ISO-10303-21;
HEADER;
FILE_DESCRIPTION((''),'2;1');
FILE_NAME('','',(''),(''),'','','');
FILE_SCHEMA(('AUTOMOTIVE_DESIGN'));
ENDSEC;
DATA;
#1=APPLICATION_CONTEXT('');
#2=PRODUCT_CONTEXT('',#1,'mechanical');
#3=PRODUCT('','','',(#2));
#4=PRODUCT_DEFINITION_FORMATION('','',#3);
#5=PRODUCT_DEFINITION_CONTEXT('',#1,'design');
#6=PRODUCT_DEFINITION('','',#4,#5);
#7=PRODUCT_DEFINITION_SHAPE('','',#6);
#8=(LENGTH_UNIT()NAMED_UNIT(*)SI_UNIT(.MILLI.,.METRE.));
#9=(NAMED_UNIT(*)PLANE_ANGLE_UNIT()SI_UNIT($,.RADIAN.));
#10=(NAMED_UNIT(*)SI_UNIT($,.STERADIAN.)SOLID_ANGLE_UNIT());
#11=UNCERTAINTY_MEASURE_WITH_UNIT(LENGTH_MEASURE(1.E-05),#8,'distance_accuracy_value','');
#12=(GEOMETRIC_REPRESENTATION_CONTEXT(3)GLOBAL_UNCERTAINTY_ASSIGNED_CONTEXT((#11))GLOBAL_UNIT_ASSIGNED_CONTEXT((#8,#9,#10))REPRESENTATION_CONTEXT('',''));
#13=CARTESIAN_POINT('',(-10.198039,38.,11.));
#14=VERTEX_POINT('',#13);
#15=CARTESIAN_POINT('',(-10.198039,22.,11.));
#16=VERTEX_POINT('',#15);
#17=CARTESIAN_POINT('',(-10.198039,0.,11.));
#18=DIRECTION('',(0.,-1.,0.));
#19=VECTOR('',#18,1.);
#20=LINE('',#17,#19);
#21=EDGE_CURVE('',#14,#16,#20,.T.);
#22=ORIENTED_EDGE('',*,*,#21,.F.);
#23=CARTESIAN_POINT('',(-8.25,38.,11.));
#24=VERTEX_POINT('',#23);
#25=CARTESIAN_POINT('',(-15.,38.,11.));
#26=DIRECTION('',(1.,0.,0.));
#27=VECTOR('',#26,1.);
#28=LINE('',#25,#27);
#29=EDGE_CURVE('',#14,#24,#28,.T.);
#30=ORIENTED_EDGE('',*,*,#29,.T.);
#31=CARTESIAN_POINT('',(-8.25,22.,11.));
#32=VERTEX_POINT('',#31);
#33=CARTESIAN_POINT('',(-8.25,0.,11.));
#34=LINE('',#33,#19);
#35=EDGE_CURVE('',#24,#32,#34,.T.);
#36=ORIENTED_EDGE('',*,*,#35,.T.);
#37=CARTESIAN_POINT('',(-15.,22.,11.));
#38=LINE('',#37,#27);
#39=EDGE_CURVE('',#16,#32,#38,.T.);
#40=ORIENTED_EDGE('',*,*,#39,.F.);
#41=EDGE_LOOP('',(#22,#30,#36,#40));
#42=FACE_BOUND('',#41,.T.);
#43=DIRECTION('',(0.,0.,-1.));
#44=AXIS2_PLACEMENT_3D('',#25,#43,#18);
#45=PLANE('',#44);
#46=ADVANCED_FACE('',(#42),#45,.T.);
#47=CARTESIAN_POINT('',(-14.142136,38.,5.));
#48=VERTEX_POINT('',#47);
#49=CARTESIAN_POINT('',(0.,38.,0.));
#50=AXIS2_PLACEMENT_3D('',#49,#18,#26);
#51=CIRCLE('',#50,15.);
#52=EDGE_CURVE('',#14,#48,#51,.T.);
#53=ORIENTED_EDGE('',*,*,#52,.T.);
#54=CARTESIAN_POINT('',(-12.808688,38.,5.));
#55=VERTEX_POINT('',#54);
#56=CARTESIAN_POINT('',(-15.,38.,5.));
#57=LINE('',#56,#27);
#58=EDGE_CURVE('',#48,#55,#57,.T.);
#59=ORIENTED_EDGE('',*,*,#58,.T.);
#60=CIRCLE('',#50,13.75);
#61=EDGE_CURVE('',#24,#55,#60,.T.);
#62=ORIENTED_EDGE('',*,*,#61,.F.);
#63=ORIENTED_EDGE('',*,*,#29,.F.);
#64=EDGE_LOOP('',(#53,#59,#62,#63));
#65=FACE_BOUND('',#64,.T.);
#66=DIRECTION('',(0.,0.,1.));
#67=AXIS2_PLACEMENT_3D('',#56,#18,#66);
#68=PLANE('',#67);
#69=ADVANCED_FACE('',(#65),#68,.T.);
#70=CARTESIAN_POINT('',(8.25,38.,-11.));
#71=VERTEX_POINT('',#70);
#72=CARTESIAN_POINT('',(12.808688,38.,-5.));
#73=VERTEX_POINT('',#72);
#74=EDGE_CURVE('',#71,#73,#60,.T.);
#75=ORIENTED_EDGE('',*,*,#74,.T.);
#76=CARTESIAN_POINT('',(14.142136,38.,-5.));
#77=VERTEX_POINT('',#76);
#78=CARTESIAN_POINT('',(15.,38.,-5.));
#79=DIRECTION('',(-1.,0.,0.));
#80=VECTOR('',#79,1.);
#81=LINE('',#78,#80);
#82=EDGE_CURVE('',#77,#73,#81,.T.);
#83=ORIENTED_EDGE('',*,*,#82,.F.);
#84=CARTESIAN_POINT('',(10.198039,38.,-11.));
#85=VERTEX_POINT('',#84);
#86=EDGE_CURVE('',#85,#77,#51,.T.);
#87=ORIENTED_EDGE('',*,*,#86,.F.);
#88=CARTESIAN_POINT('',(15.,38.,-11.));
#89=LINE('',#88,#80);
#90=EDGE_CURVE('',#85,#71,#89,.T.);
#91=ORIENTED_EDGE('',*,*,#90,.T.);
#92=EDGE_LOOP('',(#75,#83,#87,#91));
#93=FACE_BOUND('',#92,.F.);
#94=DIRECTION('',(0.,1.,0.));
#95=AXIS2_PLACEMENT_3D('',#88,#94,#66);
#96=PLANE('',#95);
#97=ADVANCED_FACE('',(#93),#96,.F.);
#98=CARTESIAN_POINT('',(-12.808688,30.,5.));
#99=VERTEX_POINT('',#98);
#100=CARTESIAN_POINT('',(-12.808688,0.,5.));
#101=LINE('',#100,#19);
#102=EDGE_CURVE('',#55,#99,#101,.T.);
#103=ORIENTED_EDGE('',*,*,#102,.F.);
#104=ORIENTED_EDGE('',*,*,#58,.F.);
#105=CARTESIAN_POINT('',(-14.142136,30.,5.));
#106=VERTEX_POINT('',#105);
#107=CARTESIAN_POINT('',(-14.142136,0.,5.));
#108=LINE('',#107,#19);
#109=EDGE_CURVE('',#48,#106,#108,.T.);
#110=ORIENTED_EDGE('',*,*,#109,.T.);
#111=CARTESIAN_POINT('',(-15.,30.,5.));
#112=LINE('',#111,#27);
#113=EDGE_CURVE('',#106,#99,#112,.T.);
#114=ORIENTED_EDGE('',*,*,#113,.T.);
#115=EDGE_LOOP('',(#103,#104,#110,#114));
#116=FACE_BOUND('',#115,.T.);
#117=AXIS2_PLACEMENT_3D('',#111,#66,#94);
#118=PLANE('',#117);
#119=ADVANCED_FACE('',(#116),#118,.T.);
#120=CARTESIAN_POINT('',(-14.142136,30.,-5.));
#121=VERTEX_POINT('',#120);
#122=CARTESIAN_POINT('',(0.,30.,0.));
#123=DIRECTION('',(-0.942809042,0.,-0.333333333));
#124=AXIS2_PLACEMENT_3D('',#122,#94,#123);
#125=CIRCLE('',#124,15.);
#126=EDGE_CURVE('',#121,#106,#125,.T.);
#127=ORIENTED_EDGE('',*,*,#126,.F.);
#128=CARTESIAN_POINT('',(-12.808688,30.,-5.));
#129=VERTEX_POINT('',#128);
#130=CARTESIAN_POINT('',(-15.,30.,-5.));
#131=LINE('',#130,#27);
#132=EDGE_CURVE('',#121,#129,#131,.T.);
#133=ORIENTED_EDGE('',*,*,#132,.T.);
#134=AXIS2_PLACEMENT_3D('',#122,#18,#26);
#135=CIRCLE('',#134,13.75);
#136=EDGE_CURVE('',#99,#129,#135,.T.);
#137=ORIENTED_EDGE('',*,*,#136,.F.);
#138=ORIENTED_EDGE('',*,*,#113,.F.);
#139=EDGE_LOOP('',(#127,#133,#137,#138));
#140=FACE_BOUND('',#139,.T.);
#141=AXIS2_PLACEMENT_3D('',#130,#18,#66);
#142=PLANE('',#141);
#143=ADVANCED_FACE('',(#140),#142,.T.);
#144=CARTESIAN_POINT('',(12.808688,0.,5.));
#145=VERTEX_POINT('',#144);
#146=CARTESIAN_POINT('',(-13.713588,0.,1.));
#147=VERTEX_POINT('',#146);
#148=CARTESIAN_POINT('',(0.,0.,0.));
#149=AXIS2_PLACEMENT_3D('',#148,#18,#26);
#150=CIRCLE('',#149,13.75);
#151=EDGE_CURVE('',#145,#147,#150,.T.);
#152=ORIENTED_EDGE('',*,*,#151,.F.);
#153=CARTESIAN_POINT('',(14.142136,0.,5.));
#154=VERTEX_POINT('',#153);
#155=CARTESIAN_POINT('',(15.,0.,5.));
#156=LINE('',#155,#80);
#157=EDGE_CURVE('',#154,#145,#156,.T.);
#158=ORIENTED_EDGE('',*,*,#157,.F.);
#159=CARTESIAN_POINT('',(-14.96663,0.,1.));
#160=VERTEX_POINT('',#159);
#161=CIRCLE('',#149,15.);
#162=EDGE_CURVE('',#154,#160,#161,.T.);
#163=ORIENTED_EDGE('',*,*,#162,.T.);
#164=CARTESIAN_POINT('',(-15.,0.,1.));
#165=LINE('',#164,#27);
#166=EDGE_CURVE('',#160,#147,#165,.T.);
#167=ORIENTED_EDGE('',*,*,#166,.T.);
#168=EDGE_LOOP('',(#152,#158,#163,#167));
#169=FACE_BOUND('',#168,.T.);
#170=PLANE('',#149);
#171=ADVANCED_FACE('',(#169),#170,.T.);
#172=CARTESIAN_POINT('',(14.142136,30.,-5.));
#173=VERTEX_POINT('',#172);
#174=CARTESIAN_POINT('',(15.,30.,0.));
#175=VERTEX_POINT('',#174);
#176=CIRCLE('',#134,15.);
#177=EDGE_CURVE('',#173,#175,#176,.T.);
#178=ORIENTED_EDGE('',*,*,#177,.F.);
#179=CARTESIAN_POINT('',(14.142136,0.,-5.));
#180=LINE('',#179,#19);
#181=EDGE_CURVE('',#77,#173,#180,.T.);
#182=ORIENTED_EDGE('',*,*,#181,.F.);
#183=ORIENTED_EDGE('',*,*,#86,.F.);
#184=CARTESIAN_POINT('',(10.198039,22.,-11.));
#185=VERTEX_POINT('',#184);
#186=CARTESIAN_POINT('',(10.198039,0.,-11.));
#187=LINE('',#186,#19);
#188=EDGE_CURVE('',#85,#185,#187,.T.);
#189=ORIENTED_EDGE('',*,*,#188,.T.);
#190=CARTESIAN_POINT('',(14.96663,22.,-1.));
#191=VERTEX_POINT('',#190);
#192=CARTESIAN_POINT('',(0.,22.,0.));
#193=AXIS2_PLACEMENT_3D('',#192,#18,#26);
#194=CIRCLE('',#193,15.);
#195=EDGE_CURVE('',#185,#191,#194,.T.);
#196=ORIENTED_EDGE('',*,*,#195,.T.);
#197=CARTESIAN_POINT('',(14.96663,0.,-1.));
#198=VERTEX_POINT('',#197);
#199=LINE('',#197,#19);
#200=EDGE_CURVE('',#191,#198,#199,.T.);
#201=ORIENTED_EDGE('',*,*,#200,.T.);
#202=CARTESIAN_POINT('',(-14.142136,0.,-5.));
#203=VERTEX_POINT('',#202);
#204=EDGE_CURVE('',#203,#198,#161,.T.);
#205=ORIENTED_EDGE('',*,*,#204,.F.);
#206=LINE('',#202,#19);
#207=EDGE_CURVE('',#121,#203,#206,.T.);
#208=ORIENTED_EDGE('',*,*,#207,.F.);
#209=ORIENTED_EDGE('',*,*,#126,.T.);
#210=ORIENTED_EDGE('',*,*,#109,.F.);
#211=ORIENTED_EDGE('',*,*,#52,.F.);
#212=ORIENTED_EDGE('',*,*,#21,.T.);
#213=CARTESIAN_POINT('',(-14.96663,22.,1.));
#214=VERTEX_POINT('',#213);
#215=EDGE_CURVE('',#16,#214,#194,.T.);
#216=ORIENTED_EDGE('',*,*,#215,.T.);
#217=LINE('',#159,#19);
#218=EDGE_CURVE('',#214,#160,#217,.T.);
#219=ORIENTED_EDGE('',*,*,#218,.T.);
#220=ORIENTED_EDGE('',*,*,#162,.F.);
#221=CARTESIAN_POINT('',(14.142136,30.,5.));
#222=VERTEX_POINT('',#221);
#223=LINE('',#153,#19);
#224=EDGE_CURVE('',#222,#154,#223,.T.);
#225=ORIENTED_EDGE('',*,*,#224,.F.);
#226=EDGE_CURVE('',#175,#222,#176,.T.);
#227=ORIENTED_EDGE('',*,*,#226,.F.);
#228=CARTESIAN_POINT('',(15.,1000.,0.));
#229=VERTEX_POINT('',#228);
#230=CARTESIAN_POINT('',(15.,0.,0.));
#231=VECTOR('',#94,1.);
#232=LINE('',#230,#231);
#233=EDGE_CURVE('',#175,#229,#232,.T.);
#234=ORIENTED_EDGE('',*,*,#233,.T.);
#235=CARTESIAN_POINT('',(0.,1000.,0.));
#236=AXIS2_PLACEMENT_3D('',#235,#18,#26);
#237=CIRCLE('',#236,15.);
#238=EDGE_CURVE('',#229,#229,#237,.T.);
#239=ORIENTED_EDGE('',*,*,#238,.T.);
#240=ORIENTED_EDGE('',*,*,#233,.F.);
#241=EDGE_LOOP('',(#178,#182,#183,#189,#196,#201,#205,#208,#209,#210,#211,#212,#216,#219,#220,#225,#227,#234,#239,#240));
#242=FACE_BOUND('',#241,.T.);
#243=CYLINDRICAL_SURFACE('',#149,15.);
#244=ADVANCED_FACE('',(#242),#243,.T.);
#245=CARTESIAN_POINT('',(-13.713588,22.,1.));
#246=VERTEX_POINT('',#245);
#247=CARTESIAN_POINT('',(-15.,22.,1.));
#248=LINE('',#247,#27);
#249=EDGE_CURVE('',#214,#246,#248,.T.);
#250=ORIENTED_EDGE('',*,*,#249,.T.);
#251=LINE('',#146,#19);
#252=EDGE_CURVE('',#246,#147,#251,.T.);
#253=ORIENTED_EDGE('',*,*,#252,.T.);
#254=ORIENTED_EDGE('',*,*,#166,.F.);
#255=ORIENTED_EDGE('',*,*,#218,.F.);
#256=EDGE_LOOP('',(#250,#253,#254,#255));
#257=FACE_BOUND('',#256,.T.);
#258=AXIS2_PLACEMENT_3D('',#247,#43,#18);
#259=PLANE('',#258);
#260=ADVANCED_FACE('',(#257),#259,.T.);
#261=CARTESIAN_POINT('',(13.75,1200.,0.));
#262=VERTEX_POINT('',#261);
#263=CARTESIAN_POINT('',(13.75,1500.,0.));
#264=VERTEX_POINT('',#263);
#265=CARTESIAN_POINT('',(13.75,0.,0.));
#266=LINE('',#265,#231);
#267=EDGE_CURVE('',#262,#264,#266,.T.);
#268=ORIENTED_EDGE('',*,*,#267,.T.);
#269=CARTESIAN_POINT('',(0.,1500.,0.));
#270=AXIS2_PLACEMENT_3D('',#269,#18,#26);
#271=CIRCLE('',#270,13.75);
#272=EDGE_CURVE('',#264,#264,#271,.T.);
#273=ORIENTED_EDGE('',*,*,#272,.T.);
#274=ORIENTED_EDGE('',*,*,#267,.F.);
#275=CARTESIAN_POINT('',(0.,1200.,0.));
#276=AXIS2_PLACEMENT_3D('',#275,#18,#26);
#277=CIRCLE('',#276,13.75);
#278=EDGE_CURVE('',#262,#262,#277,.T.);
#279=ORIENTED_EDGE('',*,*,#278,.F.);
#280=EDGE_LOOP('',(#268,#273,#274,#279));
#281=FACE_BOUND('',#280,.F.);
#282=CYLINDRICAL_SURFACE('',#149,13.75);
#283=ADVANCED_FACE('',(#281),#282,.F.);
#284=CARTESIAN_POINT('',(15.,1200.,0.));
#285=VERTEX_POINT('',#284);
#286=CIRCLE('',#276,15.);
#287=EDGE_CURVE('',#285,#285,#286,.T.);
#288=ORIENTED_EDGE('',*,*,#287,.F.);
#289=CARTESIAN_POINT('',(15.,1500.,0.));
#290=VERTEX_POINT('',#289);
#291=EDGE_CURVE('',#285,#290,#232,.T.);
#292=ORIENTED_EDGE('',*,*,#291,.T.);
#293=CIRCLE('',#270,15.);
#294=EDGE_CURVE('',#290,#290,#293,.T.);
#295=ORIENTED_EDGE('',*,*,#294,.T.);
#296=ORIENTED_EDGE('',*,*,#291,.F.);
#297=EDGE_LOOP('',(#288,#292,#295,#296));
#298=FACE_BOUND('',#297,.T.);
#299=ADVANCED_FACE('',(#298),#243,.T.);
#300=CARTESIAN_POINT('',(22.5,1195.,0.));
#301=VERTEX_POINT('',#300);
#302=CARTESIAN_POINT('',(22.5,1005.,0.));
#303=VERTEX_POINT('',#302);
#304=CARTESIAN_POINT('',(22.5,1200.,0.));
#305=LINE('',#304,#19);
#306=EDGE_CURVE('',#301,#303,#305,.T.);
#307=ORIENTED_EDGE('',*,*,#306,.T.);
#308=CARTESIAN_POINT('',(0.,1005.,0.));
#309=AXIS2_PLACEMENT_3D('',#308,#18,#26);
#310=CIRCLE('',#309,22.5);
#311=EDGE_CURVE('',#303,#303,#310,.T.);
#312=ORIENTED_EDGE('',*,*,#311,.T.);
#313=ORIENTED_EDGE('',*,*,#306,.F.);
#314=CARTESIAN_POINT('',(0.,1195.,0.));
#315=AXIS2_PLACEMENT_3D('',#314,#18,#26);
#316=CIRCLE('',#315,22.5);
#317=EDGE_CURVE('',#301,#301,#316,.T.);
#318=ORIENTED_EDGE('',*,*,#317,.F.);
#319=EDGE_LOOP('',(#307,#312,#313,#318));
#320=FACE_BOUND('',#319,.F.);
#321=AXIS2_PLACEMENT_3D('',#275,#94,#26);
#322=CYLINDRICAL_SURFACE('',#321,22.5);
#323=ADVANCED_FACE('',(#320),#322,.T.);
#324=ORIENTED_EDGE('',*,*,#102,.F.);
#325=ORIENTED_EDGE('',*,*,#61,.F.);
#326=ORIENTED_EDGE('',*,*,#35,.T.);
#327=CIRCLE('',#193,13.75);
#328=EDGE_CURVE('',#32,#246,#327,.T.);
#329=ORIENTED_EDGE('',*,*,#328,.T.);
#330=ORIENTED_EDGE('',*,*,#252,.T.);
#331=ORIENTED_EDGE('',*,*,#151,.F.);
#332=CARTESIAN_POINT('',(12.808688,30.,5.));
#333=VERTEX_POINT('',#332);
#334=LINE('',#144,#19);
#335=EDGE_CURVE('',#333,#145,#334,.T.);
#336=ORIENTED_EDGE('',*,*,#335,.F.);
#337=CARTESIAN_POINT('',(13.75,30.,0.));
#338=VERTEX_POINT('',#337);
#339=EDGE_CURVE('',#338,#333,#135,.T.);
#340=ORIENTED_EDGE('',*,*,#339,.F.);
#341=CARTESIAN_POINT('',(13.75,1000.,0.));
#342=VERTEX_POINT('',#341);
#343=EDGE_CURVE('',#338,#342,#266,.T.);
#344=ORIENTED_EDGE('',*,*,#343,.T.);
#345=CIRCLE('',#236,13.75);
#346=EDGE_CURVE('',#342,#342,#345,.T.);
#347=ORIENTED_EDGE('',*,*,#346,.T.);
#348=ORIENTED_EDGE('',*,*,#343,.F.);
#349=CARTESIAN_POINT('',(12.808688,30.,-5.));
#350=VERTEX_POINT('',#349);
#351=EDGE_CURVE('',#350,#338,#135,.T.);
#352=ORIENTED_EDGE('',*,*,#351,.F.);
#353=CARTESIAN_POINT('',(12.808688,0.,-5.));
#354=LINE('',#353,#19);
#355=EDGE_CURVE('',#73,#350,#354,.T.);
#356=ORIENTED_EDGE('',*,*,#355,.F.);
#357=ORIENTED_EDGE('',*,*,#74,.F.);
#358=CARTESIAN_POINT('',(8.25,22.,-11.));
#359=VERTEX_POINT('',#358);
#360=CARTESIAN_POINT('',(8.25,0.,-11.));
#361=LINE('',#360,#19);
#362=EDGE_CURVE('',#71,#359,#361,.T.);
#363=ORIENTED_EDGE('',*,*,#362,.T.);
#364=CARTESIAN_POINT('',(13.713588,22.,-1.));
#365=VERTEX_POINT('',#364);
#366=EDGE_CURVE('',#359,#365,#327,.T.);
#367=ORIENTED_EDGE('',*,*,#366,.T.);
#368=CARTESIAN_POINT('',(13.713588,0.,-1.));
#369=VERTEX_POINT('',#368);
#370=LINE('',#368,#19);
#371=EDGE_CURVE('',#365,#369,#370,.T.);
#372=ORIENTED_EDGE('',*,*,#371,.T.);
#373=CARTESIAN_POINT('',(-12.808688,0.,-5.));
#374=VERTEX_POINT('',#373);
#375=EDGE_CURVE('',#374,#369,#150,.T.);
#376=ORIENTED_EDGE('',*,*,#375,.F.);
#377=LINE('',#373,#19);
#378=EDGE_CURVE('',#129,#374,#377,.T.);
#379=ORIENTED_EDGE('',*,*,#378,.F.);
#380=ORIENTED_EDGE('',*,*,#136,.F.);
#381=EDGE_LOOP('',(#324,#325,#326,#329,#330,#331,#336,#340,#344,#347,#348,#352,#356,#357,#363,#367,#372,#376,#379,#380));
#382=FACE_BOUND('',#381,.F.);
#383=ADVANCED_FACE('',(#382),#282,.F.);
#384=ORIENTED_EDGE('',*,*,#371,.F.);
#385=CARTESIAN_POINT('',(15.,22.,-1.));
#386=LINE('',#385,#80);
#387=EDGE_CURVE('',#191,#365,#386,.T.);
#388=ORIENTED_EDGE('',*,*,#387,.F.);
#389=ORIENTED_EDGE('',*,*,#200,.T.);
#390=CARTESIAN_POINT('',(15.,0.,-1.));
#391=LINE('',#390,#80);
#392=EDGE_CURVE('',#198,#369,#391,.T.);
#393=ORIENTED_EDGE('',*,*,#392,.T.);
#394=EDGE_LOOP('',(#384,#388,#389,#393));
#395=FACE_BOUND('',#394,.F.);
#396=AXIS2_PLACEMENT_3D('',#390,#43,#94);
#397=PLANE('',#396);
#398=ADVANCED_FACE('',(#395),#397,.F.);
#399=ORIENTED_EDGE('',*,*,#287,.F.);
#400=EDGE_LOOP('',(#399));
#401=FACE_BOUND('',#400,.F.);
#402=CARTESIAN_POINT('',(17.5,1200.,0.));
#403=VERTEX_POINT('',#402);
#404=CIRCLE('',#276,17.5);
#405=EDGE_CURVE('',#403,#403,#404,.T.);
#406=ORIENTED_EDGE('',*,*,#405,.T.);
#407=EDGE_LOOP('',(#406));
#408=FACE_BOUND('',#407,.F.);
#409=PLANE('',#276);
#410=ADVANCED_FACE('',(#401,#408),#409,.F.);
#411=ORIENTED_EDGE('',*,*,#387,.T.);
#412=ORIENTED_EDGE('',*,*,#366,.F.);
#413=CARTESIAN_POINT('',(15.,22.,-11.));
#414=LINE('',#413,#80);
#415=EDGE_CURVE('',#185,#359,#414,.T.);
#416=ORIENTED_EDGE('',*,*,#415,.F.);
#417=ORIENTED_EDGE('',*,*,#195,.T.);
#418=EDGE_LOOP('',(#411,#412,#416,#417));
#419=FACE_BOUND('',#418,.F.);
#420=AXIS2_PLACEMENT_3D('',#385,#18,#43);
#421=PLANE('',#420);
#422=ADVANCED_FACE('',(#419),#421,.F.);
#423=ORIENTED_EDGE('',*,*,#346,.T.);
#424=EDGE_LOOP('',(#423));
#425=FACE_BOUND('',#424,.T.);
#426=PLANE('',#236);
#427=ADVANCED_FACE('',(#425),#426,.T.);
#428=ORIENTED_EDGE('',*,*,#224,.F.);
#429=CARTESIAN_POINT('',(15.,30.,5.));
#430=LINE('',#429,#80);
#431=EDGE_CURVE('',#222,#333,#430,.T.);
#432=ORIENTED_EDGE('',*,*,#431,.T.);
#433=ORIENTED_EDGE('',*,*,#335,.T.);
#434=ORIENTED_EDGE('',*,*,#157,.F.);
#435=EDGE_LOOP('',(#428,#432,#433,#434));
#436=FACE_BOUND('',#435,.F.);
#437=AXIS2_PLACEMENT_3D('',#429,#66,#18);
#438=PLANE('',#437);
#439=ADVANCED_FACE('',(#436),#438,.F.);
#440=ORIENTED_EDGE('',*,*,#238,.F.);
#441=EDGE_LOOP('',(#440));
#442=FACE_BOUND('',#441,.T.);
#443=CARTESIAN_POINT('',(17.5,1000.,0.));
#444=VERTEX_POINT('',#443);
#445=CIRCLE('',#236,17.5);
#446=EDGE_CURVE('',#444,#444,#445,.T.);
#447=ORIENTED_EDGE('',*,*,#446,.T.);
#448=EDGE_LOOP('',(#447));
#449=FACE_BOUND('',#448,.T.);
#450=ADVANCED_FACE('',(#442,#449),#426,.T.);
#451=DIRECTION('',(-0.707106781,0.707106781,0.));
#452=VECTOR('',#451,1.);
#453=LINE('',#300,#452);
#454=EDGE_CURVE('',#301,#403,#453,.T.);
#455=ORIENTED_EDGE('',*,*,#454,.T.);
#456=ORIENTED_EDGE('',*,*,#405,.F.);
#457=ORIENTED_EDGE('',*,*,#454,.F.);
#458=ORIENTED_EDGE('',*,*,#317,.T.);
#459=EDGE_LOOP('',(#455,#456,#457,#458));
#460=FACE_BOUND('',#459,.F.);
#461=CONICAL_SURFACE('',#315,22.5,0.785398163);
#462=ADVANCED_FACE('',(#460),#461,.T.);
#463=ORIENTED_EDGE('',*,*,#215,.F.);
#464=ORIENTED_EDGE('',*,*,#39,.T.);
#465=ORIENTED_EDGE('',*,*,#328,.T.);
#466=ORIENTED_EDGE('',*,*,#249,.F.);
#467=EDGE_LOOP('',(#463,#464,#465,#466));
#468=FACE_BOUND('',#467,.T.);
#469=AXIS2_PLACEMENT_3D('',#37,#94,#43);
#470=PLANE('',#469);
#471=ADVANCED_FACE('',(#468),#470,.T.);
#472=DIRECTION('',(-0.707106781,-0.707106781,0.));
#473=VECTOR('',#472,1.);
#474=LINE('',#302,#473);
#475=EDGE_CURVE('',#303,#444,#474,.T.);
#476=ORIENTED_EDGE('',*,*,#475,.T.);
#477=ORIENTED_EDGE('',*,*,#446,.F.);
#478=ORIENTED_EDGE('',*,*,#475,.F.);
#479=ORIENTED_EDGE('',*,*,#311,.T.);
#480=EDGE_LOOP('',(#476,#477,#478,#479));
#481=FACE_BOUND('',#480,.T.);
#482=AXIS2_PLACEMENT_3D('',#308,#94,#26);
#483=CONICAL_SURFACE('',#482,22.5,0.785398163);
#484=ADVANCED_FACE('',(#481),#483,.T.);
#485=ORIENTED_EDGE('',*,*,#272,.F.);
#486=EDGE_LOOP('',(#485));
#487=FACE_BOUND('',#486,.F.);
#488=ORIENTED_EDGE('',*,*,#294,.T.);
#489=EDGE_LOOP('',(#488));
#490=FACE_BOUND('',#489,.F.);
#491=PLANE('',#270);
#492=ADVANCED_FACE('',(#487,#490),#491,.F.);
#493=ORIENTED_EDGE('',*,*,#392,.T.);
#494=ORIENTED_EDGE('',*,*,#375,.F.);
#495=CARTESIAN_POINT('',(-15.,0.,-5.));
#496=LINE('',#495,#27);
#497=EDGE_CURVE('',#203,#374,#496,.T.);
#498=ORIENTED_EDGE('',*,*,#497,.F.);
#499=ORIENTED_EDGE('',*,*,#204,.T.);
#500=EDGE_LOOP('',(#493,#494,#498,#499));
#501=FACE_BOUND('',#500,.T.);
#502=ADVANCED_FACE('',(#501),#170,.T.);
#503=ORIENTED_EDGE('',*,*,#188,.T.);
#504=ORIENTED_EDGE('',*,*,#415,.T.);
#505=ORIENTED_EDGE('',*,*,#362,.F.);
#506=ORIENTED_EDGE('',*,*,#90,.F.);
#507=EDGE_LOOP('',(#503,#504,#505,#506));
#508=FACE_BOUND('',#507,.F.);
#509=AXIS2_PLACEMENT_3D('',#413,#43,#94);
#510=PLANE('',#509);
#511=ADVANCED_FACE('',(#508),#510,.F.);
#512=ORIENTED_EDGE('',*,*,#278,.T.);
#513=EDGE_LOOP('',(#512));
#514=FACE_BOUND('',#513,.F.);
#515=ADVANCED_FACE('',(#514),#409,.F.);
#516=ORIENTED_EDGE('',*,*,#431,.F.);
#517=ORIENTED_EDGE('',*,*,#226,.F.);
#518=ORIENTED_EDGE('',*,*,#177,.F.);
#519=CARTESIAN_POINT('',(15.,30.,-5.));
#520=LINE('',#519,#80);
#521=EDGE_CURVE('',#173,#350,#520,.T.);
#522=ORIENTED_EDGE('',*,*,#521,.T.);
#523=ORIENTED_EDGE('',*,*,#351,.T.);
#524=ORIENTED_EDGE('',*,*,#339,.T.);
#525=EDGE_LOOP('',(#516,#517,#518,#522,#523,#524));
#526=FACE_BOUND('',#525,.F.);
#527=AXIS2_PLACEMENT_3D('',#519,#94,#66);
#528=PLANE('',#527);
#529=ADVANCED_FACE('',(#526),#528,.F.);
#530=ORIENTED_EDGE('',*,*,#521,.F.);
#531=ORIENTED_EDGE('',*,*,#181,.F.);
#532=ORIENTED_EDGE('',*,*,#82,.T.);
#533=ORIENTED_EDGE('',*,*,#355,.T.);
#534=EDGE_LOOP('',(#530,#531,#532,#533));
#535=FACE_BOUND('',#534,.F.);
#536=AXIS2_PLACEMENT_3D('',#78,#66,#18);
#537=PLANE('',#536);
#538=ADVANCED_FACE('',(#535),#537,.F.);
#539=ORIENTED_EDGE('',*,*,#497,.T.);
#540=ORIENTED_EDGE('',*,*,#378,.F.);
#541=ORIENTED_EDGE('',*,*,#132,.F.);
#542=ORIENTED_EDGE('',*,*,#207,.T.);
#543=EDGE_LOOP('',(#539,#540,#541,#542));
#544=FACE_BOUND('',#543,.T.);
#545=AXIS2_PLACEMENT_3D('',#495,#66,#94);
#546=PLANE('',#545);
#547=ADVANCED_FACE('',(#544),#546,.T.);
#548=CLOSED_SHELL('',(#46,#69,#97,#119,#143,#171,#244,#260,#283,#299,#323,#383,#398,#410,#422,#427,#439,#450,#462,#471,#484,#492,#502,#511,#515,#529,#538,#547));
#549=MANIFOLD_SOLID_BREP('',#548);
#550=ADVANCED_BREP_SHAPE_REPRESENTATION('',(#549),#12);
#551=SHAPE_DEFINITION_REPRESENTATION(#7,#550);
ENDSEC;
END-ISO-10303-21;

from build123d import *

# Parameters (mm, degrees)
F0_R      = 15
F1_DEPTH  = 1500
F2_R      = 13.75
F3_DEPTH  = 3000
F7_DEPTH  = 10
F9_DEPTH  = 10
F12_R     = 22.5
F13_DEPTH = 200
F14_SIZE  = 5


with BuildPart() as f1:
    # F0 (on Front) → F1 (new body)
    with BuildSketch(Plane.XZ):
        Circle(F0_R)
    extrude(amount=-F1_DEPTH)

    # F2 (on face) → F3 (cut)
    with BuildSketch(Plane.XZ):
        Circle(F2_R)
    extrude(amount=-F3_DEPTH, mode=Mode.SUBTRACT)

    # F6 (on offset) → F7 (cut)
    with BuildSketch(Plane.YZ.offset(15)):
        Polygon((30, 5), (0, 5), (0, -1), (22, -1), (22, -11), (38, -11), (38, -5), (30, -5), align=None)
    extrude(amount=-F7_DEPTH, mode=Mode.SUBTRACT)

    # F8 (on offset) → F9 (cut)
    with BuildSketch(Plane.YZ.offset(-15)):
        Polygon((22, 1), (0, 1), (0, -5), (30, -5), (30, 5), (38, 5), (38, 11), (22, 11), align=None)
    extrude(amount=F9_DEPTH, mode=Mode.SUBTRACT)

    # F12 (on offset) → F13 (join)
    with BuildSketch(Plane.XZ.offset(-1200)):
        Circle(F12_R)
    extrude(amount=F13_DEPTH)

    # F14
    f14_edges = [f1.edges().sort_by_distance(p)[0] for p in [
        (22.5, 1100, 0),
        (-22.5, 1200, 0),
        (-22.5, 1000, 0),
    ]]
    chamfer(f14_edges, length=F14_SIZE)


solid = f1.part
